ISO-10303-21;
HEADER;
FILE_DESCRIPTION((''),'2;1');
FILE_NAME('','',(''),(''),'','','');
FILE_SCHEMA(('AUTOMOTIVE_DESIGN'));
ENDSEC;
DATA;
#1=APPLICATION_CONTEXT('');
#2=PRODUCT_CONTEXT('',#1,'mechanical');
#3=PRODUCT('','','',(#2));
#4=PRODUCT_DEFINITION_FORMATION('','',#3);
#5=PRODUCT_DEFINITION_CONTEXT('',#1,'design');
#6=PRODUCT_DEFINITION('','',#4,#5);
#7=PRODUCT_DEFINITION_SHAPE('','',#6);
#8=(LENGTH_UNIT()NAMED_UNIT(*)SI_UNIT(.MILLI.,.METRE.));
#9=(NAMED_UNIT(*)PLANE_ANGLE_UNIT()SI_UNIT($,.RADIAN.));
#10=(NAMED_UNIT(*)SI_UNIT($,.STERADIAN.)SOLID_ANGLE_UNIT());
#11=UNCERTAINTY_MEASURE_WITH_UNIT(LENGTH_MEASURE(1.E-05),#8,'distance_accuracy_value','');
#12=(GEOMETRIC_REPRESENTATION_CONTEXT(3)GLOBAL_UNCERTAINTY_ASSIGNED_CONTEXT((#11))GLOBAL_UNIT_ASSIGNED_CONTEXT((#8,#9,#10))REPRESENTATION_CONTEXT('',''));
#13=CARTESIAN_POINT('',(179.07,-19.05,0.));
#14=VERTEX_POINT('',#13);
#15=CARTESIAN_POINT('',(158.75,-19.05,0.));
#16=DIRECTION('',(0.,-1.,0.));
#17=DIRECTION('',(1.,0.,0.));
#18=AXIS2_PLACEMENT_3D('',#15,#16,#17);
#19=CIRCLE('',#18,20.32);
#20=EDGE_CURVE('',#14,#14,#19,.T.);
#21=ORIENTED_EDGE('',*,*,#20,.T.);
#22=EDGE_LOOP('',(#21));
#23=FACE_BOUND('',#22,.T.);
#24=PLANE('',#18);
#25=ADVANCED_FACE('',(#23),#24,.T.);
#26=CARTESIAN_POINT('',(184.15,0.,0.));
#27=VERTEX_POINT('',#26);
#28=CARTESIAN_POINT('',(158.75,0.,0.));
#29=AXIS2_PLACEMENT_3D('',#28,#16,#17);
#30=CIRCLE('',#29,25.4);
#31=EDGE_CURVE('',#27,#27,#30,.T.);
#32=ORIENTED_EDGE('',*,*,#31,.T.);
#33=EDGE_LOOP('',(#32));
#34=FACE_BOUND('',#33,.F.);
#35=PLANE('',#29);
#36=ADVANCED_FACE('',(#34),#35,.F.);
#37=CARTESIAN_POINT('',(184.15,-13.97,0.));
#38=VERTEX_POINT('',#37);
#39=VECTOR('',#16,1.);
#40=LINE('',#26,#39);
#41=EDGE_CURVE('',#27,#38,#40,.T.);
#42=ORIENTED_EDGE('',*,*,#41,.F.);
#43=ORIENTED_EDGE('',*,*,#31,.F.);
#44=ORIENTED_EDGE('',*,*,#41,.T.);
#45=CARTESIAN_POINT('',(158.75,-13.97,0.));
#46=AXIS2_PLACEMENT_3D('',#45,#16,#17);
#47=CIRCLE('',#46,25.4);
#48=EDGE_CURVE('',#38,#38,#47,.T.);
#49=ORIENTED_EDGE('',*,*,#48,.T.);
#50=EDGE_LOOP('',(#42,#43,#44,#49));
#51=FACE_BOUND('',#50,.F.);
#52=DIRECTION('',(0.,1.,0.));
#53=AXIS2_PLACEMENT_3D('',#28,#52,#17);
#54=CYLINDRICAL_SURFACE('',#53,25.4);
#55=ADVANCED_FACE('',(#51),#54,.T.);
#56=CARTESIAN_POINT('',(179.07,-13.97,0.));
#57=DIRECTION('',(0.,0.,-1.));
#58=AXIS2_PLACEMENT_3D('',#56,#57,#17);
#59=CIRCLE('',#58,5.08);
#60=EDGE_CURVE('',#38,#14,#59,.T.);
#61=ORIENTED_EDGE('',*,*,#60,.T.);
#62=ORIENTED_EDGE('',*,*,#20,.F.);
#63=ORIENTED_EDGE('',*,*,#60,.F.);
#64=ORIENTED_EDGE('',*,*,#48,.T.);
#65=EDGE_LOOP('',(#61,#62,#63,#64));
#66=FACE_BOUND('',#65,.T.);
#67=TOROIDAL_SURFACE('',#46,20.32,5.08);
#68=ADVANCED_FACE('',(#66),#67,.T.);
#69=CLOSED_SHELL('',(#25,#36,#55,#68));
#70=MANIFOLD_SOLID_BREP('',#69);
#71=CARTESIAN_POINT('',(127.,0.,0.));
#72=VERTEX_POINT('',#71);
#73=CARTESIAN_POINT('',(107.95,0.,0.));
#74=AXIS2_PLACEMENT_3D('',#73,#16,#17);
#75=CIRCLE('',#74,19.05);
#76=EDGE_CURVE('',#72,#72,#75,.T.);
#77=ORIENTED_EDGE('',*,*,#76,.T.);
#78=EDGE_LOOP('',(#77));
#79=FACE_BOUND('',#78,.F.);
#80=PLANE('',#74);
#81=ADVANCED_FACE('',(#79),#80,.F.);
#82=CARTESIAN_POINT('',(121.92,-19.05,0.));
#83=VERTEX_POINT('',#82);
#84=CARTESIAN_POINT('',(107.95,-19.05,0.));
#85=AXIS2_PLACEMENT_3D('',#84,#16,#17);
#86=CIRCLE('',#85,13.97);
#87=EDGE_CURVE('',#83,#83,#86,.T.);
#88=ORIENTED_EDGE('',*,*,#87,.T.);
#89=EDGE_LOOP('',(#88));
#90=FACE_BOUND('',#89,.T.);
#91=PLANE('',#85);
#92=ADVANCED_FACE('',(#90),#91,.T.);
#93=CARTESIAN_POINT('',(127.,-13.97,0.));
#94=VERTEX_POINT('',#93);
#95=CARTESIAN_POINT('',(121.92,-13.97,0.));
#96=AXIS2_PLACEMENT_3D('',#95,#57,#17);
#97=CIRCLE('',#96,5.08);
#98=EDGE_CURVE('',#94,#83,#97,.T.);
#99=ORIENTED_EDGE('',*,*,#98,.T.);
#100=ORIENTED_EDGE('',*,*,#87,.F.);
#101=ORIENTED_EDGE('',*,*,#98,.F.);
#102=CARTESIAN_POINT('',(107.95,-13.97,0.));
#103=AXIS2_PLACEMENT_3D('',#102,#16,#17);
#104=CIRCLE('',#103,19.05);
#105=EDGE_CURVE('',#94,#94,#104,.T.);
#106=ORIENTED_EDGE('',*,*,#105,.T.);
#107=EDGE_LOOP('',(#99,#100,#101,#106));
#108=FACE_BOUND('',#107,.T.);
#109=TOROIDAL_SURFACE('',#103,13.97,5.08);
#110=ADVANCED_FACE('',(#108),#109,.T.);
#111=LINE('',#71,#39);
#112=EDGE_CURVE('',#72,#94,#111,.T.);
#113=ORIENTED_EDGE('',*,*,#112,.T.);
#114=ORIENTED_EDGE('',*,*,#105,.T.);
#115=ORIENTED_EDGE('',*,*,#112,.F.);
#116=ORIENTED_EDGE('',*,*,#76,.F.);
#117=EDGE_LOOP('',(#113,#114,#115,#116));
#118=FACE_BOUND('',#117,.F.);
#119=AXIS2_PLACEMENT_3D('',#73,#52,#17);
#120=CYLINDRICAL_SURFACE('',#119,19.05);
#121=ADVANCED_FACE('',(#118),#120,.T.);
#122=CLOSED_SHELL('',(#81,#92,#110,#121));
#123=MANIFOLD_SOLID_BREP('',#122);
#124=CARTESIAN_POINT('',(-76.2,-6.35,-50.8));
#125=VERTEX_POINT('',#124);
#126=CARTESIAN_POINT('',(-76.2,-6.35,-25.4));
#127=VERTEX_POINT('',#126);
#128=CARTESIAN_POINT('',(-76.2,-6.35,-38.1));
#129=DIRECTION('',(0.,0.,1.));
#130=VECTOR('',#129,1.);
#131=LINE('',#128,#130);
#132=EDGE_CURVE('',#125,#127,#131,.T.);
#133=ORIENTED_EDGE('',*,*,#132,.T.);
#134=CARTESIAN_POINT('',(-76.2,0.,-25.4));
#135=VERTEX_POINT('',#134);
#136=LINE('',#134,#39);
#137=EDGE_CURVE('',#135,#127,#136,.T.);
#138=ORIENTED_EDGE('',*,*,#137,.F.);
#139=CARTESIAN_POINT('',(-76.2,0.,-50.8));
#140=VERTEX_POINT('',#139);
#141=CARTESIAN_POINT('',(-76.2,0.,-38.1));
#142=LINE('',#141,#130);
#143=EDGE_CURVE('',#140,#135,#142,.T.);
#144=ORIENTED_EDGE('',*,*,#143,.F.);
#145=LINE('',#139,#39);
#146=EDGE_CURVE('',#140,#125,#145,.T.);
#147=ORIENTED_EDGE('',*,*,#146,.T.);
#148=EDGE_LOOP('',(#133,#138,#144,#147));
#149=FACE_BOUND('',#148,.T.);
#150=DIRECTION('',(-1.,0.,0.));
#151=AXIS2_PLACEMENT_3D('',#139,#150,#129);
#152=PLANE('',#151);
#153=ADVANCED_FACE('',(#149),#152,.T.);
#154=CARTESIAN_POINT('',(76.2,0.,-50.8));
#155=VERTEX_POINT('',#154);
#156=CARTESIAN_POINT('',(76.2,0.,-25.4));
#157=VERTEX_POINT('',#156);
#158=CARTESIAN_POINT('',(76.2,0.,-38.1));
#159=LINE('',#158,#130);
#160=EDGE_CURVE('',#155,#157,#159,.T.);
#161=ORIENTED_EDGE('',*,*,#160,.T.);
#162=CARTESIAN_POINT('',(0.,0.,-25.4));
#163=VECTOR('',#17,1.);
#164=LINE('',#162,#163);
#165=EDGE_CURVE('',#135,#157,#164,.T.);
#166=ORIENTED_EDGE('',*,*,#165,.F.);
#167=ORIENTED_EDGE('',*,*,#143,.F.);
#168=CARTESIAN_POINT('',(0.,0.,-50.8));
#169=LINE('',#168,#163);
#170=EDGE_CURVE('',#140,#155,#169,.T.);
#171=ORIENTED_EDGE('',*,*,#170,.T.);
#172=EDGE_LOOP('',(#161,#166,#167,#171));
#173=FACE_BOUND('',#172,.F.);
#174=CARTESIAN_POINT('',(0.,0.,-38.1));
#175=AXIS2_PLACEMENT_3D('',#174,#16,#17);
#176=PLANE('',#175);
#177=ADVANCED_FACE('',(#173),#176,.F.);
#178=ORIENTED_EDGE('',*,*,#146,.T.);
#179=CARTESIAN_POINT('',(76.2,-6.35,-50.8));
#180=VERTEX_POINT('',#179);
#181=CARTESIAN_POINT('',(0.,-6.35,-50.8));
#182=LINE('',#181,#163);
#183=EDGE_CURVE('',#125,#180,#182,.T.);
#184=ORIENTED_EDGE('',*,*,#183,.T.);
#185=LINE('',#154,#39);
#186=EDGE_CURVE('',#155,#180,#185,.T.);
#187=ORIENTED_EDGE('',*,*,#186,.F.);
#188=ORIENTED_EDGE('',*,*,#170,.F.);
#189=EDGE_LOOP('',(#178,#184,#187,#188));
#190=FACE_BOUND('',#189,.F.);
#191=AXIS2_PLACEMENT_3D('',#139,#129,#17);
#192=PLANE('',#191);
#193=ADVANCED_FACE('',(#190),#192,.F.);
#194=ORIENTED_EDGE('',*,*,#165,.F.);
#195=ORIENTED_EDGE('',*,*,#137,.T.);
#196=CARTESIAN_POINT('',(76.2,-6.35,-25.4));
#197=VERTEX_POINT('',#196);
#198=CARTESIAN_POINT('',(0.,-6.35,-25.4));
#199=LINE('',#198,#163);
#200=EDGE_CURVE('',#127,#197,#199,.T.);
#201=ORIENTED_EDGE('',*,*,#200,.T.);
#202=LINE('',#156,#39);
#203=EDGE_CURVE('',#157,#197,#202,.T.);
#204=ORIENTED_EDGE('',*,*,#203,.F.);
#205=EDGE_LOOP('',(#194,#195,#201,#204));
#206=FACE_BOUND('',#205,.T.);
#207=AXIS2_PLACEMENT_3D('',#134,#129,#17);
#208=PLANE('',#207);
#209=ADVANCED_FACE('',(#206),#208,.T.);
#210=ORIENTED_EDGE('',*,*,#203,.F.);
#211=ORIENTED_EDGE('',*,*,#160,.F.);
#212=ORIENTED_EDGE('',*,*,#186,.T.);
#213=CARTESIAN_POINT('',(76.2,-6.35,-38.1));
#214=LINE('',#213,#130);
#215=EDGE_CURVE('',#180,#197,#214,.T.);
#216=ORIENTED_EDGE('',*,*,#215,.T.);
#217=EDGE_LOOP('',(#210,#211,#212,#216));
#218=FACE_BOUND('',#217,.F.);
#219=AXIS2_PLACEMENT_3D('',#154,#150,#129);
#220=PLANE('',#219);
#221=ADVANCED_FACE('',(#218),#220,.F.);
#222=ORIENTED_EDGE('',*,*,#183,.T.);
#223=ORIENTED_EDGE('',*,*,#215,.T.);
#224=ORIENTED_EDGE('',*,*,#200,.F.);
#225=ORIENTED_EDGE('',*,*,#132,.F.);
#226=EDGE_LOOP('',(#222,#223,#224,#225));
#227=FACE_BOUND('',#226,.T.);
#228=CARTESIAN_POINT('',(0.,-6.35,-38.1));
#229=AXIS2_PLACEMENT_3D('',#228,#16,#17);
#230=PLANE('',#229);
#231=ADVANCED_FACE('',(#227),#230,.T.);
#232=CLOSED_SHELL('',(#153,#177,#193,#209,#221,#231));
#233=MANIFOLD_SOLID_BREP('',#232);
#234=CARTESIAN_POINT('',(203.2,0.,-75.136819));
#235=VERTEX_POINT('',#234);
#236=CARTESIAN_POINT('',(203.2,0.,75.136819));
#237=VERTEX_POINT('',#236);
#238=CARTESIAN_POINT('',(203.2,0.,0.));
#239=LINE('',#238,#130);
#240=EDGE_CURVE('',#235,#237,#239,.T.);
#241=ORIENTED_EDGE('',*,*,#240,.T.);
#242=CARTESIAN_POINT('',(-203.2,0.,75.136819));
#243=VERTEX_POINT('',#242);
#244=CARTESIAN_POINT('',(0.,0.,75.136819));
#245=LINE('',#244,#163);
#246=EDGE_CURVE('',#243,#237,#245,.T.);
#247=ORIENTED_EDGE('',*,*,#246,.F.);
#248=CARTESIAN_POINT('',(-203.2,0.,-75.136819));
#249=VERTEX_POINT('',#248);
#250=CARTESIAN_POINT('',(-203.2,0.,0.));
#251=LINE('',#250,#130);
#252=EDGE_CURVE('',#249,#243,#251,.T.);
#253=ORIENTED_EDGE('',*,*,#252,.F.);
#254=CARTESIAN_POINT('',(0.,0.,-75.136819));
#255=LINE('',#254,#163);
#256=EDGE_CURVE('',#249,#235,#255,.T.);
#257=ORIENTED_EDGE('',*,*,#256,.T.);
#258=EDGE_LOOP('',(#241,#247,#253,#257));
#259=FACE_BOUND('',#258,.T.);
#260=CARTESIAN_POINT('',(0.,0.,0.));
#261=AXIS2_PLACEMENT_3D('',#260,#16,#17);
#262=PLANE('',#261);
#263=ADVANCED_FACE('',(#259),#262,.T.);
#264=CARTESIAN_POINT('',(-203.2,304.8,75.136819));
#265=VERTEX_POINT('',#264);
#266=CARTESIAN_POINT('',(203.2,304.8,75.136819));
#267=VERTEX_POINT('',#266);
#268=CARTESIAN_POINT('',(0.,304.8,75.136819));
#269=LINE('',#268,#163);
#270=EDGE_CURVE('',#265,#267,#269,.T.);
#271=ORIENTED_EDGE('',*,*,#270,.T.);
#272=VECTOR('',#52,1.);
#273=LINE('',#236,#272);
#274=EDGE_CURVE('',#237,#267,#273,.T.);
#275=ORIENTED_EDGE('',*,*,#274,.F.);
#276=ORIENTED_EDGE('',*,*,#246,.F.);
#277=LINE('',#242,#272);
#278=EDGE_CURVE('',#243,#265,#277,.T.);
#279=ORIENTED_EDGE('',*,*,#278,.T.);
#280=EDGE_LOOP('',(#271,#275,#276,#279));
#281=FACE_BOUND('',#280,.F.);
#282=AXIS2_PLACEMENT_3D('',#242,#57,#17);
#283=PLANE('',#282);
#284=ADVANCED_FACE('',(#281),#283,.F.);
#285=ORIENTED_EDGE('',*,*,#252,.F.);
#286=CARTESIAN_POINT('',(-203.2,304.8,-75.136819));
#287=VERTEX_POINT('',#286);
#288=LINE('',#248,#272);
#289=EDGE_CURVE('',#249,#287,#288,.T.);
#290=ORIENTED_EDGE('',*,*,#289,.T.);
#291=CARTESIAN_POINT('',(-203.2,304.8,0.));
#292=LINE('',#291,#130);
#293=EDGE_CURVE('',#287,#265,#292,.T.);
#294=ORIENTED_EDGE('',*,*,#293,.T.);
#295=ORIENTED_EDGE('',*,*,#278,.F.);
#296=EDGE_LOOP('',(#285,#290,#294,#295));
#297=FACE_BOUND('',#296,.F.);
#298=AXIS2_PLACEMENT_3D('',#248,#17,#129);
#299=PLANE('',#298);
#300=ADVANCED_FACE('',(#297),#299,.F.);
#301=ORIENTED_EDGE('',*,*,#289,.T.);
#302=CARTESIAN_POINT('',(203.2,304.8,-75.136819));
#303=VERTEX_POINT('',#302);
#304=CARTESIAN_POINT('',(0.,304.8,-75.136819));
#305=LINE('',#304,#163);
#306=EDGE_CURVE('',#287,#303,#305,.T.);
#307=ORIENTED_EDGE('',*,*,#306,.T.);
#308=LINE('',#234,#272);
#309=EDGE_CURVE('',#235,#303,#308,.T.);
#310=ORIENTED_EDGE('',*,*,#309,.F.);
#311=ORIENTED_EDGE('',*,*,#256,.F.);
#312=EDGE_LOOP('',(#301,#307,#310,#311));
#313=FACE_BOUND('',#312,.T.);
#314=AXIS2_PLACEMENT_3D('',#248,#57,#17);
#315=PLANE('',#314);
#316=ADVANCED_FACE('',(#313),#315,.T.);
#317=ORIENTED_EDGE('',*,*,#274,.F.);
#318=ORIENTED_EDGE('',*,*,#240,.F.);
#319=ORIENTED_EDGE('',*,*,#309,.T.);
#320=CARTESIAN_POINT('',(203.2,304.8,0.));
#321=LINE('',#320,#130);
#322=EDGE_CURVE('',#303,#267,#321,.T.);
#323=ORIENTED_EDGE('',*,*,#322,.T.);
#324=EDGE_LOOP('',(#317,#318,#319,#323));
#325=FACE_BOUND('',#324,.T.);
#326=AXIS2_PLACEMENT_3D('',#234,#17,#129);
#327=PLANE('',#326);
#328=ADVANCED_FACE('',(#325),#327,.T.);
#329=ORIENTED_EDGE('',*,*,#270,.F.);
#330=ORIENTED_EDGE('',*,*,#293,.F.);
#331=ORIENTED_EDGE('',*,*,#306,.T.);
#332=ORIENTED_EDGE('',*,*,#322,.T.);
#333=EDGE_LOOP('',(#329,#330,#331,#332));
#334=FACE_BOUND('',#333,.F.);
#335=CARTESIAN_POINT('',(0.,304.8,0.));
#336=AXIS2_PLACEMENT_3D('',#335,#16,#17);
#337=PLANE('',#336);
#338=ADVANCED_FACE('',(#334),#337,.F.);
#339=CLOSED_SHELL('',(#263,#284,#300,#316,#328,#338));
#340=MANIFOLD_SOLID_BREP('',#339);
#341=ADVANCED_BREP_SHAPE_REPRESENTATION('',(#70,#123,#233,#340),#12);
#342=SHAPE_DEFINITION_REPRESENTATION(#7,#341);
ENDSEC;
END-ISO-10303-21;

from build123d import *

# Parameters (mm, degrees)
F0_W     = 406.4
F0_H     = 150.273638
F1_DEPTH = 304.8
F2_R     = 19.05
F2_R_2   = 25.4
F3_DEPTH = 19.05
F4_R     = 5.08
F5_W     = 152.4
F5_H     = 25.4
F6_DEPTH = 6.35


with BuildPart() as f1:
    # F0 (on Front) → F1 (new body)
    with BuildSketch(Plane.XZ):
        Rectangle(F0_W, F0_H)
    extrude(amount=-F1_DEPTH)


with BuildPart() as f3:
    # F2 (on face) → F3 (new body)
    with BuildSketch(Plane.XZ):
        with Locations((107.95, 0)):
            Circle(F2_R)
        with Locations((158.75, 0)):
            Circle(F2_R_2)
    extrude(amount=F3_DEPTH)

    # F4
    f4_edges = [f3.edges().sort_by_distance(p)[0] for p in [
        (88.9, -19.05, 0),
        (133.35, -19.05, 0),
    ]]
    fillet(f4_edges, radius=F4_R)


with BuildPart() as f6:
    # F5 (on face) → F6 (new body)
    with BuildSketch(Plane.XZ):
        Rectangle(F5_W, F5_H)
    extrude(amount=F6_DEPTH)


with BuildPart() as f6_1:
    # F7: moved
    add(f6.part.moved(Location((0, 0, -38.1))))


solid = Compound([f1.part, f3.part, f6_1.part])
